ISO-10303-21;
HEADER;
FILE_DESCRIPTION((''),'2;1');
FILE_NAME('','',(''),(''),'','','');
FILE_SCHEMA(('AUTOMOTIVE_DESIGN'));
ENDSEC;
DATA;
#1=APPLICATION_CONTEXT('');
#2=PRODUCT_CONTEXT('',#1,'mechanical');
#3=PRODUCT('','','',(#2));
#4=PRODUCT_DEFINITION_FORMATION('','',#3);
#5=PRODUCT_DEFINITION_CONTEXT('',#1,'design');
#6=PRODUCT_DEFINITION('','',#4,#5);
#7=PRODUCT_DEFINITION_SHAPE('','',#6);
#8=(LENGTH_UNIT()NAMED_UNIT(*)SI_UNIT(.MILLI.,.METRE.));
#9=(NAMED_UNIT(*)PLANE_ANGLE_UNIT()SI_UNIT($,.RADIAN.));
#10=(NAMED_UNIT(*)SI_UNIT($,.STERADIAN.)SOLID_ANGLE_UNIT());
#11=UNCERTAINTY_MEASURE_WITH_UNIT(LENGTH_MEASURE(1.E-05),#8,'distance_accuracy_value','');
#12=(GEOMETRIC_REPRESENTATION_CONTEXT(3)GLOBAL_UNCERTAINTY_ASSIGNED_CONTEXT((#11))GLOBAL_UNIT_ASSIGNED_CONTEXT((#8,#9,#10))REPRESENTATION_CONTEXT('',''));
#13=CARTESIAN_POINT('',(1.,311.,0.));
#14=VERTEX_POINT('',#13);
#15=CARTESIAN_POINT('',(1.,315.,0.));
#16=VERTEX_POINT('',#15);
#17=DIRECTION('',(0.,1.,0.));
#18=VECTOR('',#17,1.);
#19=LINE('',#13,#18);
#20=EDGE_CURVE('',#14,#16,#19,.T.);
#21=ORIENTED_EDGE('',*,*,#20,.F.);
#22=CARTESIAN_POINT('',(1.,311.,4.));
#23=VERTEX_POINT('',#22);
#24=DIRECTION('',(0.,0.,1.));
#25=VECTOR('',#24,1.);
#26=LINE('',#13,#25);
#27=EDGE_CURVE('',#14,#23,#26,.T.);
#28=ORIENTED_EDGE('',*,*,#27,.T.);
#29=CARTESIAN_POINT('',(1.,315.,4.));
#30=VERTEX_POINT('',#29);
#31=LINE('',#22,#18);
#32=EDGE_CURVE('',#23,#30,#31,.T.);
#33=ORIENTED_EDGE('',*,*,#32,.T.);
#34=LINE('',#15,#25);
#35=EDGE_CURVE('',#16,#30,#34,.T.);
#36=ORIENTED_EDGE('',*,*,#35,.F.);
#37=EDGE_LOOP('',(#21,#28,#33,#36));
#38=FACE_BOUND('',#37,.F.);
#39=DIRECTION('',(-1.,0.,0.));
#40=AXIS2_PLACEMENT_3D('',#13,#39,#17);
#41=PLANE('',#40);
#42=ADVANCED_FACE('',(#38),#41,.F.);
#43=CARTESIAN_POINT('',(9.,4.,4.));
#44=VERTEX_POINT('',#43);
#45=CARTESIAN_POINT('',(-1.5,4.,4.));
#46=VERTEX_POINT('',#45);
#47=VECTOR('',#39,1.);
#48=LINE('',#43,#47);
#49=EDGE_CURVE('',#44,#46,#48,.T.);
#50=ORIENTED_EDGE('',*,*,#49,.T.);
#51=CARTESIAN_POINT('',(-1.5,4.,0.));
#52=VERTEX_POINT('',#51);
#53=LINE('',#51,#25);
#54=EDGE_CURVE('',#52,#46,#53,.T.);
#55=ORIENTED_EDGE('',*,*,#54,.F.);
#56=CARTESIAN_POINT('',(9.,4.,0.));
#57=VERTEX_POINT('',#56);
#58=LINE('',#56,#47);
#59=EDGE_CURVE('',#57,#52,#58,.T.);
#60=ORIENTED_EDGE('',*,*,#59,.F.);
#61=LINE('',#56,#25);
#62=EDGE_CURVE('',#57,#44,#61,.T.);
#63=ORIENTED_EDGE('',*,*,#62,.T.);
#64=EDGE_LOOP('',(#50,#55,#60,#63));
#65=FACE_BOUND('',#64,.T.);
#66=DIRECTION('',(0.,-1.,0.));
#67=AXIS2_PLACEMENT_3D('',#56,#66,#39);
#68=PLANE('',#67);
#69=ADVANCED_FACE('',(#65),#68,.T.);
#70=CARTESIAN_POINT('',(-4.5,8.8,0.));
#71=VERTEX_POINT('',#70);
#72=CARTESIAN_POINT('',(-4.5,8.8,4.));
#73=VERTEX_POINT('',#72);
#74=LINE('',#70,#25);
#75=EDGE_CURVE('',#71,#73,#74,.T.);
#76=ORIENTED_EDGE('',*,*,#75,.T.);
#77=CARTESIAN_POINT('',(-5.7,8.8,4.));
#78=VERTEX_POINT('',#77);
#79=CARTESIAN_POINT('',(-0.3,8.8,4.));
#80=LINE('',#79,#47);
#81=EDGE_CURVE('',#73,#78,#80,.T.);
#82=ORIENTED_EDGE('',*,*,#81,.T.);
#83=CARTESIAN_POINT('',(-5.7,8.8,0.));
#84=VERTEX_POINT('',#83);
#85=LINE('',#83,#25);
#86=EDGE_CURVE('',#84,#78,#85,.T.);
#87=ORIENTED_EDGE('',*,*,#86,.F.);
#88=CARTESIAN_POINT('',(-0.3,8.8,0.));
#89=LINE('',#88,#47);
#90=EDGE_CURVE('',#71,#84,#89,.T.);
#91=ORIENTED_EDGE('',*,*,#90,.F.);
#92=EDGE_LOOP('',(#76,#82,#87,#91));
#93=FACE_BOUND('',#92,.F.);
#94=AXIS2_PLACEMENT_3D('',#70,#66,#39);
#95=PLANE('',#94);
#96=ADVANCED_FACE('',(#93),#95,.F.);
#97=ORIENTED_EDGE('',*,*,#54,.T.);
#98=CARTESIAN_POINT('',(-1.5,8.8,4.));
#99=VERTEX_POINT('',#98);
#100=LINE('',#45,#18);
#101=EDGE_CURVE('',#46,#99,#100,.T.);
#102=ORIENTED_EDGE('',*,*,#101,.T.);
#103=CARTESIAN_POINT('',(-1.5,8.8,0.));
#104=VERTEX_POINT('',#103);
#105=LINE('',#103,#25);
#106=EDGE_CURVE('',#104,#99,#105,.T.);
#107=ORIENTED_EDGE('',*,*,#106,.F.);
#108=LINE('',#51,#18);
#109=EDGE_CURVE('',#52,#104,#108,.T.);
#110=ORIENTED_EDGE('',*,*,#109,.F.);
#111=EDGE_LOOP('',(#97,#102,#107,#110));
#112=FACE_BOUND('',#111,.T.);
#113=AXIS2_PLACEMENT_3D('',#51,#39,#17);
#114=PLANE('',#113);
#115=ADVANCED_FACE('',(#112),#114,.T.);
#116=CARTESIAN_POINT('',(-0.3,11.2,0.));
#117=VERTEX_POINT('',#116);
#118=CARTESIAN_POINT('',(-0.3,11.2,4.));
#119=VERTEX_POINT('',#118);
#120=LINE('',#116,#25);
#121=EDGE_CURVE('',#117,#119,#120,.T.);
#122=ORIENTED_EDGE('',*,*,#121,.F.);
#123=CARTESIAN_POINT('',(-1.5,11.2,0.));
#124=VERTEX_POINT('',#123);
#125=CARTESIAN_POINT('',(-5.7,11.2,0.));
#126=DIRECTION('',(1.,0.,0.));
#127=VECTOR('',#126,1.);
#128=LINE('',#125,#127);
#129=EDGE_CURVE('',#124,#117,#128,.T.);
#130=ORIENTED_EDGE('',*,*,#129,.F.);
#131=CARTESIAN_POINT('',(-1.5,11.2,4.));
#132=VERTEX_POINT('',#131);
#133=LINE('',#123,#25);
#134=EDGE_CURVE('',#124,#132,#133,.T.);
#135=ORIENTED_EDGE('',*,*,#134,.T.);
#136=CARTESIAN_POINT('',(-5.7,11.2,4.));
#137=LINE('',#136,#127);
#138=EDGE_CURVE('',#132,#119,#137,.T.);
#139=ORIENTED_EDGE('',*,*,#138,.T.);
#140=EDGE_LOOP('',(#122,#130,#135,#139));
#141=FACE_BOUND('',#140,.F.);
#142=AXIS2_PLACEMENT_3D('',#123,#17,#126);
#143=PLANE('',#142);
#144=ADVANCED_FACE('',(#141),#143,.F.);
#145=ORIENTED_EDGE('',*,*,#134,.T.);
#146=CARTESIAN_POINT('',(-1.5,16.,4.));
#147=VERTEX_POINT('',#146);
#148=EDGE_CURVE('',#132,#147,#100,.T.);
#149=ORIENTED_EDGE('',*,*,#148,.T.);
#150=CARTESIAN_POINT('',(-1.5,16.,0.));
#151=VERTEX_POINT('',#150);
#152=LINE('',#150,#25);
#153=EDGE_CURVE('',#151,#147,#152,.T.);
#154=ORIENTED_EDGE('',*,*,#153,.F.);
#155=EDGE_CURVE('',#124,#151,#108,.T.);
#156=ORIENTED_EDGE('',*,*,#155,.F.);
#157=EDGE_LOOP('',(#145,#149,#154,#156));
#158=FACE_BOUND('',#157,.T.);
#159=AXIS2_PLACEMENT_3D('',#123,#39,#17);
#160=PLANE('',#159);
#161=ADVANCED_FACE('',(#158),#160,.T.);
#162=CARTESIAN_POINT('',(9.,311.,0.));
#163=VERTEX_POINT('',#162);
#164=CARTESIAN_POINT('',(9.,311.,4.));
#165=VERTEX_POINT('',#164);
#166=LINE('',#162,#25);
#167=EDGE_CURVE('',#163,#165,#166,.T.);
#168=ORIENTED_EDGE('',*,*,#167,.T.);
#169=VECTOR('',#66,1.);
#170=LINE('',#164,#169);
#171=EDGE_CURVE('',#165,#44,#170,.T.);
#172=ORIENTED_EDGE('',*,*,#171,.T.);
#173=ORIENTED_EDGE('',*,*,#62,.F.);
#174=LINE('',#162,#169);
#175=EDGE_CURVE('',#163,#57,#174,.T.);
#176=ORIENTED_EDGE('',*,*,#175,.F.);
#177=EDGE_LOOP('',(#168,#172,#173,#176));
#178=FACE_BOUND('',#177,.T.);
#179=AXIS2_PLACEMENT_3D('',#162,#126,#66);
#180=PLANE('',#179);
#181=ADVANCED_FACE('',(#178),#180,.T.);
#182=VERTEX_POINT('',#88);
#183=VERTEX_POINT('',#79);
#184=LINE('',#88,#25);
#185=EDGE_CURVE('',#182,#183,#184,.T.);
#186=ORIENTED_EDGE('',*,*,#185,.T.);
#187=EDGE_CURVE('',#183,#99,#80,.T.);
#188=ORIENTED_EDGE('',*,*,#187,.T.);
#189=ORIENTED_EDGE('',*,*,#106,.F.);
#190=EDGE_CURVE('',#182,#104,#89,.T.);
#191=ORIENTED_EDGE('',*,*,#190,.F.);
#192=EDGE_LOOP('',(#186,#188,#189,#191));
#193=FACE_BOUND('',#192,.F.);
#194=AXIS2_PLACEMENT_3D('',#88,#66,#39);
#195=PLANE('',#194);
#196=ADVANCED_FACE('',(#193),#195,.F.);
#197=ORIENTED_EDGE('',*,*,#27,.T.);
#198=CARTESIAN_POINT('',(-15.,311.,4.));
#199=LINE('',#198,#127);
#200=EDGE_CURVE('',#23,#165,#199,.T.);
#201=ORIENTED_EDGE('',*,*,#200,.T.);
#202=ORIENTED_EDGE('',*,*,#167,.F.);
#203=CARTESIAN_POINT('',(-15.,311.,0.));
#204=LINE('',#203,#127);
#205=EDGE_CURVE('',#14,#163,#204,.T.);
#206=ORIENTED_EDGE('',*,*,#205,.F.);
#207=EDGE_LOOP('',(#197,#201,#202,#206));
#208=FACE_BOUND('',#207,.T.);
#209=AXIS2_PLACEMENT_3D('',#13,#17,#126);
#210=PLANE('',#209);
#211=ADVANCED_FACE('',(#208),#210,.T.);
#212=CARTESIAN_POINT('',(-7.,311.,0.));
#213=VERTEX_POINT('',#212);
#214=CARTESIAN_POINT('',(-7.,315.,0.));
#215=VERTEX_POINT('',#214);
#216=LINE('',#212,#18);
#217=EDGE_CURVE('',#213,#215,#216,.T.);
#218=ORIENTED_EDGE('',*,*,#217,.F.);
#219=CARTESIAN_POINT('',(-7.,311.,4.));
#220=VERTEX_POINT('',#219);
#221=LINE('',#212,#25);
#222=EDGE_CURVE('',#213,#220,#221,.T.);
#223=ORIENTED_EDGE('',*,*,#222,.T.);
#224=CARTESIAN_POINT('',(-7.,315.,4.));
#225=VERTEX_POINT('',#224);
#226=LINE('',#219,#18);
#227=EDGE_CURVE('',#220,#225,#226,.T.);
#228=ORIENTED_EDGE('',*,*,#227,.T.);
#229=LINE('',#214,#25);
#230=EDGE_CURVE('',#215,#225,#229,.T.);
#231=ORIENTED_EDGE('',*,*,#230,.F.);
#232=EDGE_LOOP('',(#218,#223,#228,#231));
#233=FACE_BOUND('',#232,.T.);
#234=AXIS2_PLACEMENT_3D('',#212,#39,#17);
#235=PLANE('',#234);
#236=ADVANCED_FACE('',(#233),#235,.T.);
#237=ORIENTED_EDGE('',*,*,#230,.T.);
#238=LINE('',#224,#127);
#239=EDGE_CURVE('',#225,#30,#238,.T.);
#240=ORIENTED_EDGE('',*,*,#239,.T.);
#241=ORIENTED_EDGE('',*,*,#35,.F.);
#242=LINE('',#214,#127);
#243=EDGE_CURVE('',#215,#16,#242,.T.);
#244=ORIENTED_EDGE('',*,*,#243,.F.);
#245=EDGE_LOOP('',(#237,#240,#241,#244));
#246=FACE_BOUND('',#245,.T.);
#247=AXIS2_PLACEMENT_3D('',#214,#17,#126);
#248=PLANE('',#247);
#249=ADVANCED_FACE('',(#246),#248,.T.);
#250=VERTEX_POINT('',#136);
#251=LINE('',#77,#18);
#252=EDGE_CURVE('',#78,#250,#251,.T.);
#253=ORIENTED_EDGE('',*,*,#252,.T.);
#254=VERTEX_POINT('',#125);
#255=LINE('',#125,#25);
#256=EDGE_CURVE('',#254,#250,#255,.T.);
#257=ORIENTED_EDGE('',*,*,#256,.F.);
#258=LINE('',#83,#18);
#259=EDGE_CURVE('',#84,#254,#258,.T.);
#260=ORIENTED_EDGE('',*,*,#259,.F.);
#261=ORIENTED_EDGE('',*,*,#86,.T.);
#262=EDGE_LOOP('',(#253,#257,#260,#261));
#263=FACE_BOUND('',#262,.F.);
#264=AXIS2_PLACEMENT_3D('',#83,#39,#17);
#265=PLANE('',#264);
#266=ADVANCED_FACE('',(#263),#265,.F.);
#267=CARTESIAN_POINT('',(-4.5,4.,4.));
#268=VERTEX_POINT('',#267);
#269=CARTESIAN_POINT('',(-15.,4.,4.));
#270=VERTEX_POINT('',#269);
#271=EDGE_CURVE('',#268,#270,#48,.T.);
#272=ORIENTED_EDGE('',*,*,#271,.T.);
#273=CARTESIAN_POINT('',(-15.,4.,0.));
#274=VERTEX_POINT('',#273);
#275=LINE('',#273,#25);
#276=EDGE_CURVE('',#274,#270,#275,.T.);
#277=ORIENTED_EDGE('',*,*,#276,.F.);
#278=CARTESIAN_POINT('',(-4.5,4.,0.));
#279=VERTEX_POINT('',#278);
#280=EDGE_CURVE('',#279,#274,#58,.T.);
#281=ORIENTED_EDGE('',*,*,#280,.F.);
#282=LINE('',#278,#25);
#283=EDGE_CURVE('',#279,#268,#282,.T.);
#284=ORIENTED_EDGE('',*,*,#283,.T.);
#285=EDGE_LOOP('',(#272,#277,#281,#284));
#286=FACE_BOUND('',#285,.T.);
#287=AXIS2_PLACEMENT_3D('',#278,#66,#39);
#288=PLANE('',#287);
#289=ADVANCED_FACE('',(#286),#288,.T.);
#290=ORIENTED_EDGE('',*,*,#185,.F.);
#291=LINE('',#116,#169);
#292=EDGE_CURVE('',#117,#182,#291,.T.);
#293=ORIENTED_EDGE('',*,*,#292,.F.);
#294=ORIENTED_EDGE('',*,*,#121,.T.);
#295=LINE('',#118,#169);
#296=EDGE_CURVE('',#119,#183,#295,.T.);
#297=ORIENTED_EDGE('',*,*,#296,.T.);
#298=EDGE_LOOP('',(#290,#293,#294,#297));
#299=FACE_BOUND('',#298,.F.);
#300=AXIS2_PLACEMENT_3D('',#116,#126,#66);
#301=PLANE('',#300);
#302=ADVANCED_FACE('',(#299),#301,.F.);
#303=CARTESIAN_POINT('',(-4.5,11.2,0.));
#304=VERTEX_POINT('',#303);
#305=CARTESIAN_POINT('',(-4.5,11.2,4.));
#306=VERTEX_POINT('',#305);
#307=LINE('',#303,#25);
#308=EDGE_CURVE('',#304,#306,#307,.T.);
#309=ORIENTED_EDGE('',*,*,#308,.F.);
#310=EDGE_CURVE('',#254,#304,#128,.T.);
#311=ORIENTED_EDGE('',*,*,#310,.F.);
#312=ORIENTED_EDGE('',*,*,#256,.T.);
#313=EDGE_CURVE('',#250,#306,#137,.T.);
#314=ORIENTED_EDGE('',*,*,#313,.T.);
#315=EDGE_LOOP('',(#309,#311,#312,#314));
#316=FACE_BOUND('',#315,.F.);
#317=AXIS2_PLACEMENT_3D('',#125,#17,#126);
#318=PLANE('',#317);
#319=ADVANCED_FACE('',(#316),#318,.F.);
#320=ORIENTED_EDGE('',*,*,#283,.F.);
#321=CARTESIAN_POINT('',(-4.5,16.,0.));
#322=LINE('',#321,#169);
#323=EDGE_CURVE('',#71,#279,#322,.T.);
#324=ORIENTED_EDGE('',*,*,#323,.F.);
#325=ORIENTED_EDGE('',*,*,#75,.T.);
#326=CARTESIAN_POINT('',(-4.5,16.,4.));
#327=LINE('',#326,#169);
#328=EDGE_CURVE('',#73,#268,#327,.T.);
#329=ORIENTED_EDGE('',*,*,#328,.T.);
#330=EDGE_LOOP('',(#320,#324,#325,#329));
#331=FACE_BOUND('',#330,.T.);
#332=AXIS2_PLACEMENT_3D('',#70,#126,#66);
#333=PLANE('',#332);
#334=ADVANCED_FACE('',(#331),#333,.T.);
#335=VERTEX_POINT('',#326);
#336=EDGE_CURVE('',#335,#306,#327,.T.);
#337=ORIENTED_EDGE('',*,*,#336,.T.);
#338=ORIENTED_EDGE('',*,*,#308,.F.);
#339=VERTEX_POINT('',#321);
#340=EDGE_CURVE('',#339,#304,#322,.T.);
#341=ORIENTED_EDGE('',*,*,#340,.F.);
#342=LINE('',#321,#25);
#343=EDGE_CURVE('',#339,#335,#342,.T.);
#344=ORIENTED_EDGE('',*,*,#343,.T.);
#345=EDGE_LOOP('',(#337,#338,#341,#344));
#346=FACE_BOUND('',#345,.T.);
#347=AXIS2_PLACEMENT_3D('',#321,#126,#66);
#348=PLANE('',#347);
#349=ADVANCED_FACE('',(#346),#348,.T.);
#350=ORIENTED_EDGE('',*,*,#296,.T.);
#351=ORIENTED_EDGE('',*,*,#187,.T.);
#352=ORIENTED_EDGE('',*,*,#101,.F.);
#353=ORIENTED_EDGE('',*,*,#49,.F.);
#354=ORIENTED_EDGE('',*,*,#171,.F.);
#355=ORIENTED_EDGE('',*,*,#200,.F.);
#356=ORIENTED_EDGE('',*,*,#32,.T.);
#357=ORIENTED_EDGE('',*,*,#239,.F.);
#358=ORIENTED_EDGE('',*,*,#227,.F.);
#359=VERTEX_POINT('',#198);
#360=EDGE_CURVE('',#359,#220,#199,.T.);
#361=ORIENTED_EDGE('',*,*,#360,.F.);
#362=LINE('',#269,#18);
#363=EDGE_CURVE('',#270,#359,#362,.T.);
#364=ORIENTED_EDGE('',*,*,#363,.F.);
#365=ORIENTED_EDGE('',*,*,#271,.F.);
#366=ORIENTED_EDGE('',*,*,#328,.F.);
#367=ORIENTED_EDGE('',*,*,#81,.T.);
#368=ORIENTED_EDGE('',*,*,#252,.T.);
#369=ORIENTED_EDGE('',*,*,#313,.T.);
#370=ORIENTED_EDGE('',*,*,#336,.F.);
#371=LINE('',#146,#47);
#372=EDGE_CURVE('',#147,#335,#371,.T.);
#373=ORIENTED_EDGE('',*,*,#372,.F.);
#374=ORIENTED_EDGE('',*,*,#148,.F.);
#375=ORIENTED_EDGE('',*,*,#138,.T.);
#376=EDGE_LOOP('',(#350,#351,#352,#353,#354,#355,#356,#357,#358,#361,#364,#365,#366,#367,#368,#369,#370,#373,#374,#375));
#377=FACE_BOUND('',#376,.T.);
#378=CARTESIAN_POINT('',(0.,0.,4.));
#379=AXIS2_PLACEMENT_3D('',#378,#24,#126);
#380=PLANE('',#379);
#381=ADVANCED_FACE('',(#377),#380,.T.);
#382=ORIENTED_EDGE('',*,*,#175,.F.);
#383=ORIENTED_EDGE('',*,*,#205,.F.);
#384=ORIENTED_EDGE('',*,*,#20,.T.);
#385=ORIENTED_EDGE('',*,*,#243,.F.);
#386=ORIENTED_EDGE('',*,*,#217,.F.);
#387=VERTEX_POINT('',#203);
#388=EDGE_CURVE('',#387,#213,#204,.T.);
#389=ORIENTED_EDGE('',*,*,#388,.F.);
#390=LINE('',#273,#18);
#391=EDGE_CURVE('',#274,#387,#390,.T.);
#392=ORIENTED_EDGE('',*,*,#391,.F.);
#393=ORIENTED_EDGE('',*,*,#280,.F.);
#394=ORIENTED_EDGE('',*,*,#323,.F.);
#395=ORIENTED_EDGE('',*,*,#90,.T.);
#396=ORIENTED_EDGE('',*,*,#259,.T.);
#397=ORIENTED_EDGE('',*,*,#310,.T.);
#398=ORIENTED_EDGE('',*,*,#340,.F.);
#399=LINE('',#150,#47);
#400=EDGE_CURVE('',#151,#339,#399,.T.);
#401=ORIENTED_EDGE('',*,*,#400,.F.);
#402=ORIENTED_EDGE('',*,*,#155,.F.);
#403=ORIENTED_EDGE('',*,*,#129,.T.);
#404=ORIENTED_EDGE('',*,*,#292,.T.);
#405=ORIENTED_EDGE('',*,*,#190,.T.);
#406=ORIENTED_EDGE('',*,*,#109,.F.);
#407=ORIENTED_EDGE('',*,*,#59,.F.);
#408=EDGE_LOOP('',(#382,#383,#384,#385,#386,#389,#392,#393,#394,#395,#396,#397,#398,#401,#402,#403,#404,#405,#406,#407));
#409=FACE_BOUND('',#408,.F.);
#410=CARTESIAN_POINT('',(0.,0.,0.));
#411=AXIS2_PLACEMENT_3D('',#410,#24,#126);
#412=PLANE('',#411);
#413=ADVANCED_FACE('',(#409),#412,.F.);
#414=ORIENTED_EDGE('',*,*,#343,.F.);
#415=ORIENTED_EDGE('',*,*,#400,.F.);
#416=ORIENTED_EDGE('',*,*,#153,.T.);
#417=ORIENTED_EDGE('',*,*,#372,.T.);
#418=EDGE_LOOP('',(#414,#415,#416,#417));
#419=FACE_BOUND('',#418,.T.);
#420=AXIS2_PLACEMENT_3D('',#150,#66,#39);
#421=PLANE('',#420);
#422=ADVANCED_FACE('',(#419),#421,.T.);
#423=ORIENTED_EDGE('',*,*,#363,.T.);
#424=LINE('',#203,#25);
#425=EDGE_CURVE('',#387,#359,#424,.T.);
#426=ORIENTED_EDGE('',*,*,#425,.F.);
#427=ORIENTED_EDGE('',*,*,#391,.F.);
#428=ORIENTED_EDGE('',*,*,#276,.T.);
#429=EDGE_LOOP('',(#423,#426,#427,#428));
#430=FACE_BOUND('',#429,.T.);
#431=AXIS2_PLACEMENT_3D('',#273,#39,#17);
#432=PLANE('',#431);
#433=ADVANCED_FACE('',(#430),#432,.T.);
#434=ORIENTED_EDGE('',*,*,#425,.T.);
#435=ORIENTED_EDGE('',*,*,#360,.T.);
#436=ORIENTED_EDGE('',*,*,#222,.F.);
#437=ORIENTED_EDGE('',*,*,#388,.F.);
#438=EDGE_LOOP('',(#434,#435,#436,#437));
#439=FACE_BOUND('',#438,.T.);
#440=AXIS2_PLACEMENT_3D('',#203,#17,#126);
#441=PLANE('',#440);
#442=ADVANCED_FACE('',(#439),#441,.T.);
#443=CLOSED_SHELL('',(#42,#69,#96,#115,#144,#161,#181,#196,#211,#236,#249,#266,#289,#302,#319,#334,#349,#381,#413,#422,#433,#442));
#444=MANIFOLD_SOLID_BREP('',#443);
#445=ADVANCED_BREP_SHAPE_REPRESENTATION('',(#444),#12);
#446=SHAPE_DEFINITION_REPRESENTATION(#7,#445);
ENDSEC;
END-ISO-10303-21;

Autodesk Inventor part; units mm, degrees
ref_plane "YZ Plane" through (0, 0, 0) normal (1, 0, 0) x (0, 1, 0)
ref_plane "XZ Plane" through (0, 0, 0) normal (0, 1, 0) x (-1, 0, 0)
ref_plane "XY Plane" through (0, 0, 0) normal (0, 0, 1) x (1, 0, 0)
sketch "Sketch1" plane through (0, 0, 0) normal (0, 0, 1) x (1, 0, 0)
  line L0 (-7, 315) -> (1, 315) projected
  line L1 (-7, 311) -> (-7, 315) projected
  line L2 (1, 311) -> (-7, 311) projected
  line L3 (1, 311) -> (1, 315) projected
  line L4 (-15, 311) -> (9, 311)
  line L5 (9, 311) -> (9, 4)
  line L6 (9, 4) -> (-15, 4)
  line L7 (-15, 4) -> (-15, 311)
  line L8 (-4.5, 4) -> (-1.5, 4)
  line L9 (-1.5, 4) -> (-1.5, 16)
  line L10 (-1.5, 16) -> (-4.5, 16)
  line L11 (-4.5, 16) -> (-4.5, 4)
  line L12 (-5.7, 11.2) -> (-0.3, 11.2)
  line L13 (-0.3, 11.2) -> (-0.3, 8.8)
  line L14 (-0.3, 8.8) -> (-5.7, 8.8)
  line L15 (-5.7, 8.8) -> (-5.7, 11.2)
  point P0 (-3, 311)
  point P1 (-3, 311)
  point P2 (-3, 4)
  point P3 (-3, 4)
  point P4 (-5.7, 10)
  point P5 (-4.5, 10)
  point P6 (-3, 11.2)
  point P7 (-3, 16)
  point P8 (-17.1455, 4)
  point P9 (-4.5, 8.8)
  point P10 (-4.5, 11.2)
  point P11 (-1.5, 11.2)
  point P12 (-1.5, 8.8)
  dimension "d0" = 8
  dimension "d1" = 2.4
  dimension "d2" = 5.4
  dimension "d3" = 3
  dimension "d4" = 12
extrude "Extrusion1" add sketch "Sketch1" along normal blind 4 contours L0 L3 L2 L1 | L2 L4 L5 L6 L9 L14 L13 L12 L10 L11 L15 L7
properties part number "Reed_Rail" material "MDF Medium Density Fiberboard"
